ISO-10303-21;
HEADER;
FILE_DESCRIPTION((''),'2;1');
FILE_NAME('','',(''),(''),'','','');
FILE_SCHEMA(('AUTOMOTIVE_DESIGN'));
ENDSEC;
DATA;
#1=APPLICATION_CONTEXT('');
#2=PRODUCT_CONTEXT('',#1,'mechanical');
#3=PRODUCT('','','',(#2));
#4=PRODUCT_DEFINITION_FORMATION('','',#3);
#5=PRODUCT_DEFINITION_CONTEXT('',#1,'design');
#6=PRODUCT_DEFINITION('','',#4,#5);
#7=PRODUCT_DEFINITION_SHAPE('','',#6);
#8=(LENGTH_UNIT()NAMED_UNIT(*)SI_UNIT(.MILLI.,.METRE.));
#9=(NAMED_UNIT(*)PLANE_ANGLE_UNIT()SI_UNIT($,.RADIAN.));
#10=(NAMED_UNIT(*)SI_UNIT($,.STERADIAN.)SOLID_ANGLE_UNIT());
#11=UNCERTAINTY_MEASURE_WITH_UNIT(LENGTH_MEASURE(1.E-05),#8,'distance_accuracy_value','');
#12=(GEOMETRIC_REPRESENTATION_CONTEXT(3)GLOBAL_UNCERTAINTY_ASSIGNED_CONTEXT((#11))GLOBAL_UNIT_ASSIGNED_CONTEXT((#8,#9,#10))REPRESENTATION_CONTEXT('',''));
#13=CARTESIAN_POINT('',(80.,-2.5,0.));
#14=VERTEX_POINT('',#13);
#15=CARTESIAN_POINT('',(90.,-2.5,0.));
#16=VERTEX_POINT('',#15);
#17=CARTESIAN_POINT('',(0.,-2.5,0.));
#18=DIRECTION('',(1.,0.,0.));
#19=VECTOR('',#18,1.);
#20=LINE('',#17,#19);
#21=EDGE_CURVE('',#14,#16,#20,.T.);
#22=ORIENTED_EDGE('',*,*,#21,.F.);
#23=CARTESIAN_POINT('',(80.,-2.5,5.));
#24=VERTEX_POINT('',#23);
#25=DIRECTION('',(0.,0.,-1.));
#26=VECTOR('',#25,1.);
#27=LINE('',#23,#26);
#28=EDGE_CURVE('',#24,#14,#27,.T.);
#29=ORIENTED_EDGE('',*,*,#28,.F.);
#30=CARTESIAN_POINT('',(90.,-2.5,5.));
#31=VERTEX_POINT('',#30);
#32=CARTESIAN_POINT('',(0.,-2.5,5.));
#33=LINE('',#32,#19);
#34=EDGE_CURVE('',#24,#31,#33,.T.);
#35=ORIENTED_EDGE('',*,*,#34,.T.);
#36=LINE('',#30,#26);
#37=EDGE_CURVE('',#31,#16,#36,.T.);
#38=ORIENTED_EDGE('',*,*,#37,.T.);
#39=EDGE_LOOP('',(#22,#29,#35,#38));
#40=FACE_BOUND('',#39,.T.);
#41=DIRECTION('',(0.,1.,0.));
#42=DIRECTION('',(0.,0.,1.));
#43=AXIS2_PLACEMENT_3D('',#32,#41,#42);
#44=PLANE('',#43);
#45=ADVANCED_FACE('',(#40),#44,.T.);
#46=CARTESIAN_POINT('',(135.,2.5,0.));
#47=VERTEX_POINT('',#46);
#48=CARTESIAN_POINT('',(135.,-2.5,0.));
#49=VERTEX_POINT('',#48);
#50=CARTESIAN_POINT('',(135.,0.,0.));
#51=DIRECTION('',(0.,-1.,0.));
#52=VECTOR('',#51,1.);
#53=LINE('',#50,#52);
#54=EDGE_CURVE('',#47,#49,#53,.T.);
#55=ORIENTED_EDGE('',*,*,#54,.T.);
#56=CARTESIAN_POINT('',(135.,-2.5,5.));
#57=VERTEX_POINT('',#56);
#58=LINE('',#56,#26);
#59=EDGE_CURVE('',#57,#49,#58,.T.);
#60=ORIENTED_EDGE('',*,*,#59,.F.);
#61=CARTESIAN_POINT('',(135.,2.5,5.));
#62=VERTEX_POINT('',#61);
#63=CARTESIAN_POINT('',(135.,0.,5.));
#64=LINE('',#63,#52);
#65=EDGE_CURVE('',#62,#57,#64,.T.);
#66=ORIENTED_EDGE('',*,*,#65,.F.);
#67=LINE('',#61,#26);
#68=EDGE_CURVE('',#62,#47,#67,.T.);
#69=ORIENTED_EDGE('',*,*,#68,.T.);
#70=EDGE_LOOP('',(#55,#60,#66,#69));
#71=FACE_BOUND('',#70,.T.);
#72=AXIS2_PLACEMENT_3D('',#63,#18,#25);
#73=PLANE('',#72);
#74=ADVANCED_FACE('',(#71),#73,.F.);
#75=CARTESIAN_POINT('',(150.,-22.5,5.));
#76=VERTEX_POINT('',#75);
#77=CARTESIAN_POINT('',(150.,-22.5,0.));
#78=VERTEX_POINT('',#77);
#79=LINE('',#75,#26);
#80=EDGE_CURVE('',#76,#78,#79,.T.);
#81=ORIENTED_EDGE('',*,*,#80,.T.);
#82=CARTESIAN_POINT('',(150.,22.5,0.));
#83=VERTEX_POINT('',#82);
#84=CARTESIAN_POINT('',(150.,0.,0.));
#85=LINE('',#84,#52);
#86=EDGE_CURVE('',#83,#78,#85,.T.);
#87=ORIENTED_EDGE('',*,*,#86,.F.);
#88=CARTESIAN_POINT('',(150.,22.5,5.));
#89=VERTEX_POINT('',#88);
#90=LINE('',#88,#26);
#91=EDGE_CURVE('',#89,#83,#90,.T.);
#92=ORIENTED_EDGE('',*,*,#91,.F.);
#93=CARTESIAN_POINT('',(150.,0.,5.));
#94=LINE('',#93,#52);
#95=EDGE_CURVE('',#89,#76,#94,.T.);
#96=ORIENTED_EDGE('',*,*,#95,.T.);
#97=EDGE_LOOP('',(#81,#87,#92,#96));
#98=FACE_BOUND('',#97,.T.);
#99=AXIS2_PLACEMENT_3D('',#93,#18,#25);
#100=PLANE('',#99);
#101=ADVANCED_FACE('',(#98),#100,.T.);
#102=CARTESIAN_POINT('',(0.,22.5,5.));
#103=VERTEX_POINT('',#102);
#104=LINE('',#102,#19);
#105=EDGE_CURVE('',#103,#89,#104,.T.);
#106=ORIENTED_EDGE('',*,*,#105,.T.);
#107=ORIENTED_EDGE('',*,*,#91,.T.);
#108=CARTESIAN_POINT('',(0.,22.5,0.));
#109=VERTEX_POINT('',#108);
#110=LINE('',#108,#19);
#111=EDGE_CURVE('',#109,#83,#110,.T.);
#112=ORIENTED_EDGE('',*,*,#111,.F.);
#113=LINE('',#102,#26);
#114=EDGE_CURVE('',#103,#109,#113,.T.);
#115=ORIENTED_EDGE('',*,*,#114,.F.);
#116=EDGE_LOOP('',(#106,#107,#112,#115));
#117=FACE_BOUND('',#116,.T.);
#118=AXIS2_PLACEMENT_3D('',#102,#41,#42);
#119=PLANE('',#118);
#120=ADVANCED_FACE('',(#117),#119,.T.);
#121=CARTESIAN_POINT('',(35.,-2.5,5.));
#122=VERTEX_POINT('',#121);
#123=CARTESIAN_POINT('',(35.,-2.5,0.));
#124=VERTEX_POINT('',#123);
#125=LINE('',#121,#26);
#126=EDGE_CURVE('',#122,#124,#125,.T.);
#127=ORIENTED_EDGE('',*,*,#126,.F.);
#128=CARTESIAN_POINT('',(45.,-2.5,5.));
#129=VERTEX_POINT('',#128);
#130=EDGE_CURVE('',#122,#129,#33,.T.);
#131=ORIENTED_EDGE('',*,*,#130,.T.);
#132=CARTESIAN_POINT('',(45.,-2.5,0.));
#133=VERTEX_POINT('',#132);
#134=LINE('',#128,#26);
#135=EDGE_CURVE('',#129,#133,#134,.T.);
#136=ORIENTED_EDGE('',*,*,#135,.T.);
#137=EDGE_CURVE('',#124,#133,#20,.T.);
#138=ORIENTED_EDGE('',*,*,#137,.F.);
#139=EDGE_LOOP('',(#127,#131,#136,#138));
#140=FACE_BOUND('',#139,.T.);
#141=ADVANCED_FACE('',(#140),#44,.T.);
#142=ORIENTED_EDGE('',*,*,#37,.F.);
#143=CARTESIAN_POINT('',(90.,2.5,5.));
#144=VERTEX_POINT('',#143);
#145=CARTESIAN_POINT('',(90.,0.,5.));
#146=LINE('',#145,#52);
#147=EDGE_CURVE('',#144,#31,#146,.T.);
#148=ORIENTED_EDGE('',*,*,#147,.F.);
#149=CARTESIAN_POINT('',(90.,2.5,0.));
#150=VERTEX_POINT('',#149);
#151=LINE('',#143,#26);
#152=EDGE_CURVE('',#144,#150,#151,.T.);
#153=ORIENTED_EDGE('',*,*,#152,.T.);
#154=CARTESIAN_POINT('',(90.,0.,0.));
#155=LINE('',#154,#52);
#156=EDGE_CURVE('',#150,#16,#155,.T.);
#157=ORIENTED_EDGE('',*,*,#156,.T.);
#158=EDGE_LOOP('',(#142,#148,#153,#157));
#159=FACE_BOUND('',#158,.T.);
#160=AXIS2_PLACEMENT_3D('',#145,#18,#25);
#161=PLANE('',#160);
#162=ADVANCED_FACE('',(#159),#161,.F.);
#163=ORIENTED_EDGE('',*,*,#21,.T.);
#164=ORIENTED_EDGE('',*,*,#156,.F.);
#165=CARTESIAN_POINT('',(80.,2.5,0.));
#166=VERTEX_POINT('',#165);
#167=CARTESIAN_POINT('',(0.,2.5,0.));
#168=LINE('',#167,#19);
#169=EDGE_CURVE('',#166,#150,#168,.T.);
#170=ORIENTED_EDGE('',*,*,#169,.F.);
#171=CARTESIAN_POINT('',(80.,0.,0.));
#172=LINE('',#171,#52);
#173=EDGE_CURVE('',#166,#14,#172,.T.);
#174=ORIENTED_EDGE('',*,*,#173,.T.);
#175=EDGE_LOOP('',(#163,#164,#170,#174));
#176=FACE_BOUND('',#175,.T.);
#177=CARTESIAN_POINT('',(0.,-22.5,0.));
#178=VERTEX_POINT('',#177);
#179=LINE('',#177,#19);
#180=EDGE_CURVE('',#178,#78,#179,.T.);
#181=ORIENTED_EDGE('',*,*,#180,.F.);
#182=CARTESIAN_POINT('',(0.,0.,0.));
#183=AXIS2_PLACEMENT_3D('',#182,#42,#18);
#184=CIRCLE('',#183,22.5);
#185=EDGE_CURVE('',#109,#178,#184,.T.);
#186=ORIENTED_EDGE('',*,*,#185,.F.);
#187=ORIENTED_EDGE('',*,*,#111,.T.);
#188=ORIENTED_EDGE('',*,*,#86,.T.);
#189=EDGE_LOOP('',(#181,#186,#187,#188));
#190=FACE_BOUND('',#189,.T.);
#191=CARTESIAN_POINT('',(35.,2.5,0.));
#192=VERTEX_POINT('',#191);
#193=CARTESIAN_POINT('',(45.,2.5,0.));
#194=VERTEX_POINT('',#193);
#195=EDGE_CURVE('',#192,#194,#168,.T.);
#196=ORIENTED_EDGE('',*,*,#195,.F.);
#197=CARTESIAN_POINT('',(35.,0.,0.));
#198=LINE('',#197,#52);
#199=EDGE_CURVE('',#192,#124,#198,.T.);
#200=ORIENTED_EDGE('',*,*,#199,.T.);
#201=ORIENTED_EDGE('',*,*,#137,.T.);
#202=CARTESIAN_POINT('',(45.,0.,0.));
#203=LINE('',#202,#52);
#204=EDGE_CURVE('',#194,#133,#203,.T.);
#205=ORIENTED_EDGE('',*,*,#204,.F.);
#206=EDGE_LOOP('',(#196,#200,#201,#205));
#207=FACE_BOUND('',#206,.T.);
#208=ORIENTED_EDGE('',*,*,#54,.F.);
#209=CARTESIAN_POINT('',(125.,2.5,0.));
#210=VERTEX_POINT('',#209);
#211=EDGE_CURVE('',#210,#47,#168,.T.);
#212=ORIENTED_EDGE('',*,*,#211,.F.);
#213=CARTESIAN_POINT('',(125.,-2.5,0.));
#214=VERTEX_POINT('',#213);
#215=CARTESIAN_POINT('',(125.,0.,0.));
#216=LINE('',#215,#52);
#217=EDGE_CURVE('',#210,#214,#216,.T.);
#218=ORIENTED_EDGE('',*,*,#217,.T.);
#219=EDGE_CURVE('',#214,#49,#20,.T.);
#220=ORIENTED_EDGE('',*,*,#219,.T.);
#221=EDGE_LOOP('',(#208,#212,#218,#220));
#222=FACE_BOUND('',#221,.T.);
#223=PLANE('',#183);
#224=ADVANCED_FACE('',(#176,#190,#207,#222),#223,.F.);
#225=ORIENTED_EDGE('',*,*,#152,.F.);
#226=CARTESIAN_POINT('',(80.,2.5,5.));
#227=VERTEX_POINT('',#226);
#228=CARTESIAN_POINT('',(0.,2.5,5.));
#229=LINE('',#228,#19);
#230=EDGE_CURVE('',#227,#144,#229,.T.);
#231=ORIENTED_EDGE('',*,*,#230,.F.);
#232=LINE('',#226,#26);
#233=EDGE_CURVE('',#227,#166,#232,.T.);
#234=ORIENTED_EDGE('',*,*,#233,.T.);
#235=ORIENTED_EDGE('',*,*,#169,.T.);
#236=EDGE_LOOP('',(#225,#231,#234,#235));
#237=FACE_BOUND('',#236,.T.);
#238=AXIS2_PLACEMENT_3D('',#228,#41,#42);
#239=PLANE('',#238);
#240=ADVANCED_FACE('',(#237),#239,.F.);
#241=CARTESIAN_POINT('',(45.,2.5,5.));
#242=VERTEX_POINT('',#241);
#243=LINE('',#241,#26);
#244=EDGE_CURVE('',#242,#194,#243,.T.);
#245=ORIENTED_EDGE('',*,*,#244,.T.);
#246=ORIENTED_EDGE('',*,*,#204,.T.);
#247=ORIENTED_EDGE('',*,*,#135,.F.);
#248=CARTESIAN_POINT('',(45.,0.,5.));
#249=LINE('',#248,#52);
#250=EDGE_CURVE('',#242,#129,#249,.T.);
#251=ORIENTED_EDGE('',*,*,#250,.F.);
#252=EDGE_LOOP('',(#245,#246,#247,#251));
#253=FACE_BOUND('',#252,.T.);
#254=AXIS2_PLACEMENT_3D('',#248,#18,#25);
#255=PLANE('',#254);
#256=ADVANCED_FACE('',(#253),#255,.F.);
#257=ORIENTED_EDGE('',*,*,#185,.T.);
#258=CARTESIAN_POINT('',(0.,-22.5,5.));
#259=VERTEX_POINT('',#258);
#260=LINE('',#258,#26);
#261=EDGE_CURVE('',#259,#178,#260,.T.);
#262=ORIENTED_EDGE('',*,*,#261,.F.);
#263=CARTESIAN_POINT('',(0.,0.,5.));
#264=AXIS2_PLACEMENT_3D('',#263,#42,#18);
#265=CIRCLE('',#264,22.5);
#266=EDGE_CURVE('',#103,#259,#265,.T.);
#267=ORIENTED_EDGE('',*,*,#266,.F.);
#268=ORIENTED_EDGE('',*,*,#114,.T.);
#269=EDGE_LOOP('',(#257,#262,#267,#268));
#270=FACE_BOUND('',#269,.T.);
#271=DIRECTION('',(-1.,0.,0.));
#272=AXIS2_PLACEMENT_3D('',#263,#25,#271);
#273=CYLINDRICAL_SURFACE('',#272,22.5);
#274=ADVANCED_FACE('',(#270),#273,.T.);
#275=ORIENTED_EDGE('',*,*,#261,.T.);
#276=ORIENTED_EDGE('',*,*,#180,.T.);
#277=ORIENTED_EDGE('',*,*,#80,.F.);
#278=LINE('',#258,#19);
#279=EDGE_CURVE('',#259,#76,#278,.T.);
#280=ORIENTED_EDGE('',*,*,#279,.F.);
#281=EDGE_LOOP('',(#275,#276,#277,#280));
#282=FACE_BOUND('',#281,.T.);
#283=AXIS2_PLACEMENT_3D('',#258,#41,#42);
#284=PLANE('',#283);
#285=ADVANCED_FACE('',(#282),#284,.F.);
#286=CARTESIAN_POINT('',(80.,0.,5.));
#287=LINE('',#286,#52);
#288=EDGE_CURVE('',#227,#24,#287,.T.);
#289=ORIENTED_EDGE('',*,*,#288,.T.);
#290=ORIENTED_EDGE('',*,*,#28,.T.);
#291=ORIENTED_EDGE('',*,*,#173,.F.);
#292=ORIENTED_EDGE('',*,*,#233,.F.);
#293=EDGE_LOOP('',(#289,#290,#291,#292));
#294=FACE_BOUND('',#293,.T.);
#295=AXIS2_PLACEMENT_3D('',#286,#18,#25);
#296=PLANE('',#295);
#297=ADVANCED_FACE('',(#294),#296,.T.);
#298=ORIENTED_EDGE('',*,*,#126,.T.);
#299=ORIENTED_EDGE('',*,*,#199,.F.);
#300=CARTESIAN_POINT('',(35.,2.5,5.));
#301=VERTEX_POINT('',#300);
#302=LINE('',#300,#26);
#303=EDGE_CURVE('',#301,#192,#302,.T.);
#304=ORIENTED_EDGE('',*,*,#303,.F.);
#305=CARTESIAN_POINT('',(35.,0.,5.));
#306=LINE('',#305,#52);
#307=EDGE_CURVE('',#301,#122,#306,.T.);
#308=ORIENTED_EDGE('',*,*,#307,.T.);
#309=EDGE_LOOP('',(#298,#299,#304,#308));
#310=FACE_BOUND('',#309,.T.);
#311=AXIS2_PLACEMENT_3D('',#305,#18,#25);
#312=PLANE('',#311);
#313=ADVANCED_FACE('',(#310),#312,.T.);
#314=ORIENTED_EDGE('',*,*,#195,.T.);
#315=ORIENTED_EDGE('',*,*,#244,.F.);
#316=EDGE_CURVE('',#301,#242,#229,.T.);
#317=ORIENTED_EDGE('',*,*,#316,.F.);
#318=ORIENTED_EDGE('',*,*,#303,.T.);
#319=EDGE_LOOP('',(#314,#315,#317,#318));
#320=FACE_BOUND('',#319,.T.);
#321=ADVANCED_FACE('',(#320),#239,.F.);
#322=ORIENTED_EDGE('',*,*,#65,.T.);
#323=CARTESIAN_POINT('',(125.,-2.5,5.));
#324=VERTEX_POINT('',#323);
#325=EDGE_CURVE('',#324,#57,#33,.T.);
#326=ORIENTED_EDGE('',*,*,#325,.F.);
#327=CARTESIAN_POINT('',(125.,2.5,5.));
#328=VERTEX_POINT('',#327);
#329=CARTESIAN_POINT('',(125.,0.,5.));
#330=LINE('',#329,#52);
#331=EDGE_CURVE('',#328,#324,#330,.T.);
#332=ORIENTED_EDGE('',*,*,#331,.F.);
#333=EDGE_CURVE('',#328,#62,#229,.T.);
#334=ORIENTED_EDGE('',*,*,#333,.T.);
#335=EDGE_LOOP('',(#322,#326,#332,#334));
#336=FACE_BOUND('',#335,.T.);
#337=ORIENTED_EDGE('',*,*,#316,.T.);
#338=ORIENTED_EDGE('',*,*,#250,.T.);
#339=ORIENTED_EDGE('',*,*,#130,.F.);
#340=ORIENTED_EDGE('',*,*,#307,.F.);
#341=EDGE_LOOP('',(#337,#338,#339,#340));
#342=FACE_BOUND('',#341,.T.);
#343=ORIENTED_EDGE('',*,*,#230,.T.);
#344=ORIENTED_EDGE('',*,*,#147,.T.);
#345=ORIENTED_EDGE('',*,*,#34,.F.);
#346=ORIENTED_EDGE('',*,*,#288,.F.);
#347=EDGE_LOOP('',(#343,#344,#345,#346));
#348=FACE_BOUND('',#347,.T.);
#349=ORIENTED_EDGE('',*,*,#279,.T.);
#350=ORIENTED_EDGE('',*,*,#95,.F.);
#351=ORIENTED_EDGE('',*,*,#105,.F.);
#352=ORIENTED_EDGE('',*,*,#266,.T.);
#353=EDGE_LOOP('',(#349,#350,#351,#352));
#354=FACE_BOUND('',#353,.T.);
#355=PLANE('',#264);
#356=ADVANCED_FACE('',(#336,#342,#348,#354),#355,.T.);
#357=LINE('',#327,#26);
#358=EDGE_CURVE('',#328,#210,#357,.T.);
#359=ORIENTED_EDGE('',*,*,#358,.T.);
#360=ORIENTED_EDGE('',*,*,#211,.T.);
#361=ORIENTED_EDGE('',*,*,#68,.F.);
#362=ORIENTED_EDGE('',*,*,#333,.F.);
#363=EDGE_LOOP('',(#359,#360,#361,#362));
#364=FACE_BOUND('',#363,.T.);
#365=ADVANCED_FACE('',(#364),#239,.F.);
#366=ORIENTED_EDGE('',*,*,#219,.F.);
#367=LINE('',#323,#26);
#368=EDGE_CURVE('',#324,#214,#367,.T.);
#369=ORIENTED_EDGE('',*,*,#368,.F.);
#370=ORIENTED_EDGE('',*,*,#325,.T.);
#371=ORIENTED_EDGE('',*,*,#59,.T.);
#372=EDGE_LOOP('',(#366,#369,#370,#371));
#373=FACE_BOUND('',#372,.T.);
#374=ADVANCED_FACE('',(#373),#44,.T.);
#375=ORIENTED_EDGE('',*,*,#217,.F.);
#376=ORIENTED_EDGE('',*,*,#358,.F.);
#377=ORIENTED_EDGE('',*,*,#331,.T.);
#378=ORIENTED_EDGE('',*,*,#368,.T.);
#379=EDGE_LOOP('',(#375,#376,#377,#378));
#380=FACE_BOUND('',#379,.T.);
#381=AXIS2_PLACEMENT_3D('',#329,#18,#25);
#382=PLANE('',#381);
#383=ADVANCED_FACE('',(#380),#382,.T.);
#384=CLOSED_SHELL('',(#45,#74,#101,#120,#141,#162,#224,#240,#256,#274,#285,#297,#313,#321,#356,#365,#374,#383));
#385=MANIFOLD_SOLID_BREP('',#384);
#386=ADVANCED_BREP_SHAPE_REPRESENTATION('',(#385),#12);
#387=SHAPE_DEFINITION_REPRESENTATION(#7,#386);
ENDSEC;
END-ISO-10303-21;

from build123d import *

# Parameters (mm, degrees)
ESQUISSE1_W        = 10
ESQUISSE1_H        = 5
BOSS_EXTRU_1_DEPTH = 5


with BuildPart() as part:
    # Esquisse1 → Boss.-Extru.1 (new body)
    with BuildSketch(Plane.XY):
        with BuildLine():
            Line((150, 22.5), (0, 22.5))
            ThreePointArc((0, 22.5), (-22.5, 0), (0, -22.5))
            Line((0, -22.5), (150, -22.5))
            Line((150, -22.5), (150, 22.5))
        make_face()
        with Locations((40, 0)):
            Rectangle(ESQUISSE1_W, ESQUISSE1_H, mode=Mode.SUBTRACT)
        with Locations((85, 0)):
            Rectangle(ESQUISSE1_W, ESQUISSE1_H, mode=Mode.SUBTRACT)
        with Locations((130, 0)):
            Rectangle(ESQUISSE1_W, ESQUISSE1_H, mode=Mode.SUBTRACT)
    extrude(amount=BOSS_EXTRU_1_DEPTH)


solid = part.part
